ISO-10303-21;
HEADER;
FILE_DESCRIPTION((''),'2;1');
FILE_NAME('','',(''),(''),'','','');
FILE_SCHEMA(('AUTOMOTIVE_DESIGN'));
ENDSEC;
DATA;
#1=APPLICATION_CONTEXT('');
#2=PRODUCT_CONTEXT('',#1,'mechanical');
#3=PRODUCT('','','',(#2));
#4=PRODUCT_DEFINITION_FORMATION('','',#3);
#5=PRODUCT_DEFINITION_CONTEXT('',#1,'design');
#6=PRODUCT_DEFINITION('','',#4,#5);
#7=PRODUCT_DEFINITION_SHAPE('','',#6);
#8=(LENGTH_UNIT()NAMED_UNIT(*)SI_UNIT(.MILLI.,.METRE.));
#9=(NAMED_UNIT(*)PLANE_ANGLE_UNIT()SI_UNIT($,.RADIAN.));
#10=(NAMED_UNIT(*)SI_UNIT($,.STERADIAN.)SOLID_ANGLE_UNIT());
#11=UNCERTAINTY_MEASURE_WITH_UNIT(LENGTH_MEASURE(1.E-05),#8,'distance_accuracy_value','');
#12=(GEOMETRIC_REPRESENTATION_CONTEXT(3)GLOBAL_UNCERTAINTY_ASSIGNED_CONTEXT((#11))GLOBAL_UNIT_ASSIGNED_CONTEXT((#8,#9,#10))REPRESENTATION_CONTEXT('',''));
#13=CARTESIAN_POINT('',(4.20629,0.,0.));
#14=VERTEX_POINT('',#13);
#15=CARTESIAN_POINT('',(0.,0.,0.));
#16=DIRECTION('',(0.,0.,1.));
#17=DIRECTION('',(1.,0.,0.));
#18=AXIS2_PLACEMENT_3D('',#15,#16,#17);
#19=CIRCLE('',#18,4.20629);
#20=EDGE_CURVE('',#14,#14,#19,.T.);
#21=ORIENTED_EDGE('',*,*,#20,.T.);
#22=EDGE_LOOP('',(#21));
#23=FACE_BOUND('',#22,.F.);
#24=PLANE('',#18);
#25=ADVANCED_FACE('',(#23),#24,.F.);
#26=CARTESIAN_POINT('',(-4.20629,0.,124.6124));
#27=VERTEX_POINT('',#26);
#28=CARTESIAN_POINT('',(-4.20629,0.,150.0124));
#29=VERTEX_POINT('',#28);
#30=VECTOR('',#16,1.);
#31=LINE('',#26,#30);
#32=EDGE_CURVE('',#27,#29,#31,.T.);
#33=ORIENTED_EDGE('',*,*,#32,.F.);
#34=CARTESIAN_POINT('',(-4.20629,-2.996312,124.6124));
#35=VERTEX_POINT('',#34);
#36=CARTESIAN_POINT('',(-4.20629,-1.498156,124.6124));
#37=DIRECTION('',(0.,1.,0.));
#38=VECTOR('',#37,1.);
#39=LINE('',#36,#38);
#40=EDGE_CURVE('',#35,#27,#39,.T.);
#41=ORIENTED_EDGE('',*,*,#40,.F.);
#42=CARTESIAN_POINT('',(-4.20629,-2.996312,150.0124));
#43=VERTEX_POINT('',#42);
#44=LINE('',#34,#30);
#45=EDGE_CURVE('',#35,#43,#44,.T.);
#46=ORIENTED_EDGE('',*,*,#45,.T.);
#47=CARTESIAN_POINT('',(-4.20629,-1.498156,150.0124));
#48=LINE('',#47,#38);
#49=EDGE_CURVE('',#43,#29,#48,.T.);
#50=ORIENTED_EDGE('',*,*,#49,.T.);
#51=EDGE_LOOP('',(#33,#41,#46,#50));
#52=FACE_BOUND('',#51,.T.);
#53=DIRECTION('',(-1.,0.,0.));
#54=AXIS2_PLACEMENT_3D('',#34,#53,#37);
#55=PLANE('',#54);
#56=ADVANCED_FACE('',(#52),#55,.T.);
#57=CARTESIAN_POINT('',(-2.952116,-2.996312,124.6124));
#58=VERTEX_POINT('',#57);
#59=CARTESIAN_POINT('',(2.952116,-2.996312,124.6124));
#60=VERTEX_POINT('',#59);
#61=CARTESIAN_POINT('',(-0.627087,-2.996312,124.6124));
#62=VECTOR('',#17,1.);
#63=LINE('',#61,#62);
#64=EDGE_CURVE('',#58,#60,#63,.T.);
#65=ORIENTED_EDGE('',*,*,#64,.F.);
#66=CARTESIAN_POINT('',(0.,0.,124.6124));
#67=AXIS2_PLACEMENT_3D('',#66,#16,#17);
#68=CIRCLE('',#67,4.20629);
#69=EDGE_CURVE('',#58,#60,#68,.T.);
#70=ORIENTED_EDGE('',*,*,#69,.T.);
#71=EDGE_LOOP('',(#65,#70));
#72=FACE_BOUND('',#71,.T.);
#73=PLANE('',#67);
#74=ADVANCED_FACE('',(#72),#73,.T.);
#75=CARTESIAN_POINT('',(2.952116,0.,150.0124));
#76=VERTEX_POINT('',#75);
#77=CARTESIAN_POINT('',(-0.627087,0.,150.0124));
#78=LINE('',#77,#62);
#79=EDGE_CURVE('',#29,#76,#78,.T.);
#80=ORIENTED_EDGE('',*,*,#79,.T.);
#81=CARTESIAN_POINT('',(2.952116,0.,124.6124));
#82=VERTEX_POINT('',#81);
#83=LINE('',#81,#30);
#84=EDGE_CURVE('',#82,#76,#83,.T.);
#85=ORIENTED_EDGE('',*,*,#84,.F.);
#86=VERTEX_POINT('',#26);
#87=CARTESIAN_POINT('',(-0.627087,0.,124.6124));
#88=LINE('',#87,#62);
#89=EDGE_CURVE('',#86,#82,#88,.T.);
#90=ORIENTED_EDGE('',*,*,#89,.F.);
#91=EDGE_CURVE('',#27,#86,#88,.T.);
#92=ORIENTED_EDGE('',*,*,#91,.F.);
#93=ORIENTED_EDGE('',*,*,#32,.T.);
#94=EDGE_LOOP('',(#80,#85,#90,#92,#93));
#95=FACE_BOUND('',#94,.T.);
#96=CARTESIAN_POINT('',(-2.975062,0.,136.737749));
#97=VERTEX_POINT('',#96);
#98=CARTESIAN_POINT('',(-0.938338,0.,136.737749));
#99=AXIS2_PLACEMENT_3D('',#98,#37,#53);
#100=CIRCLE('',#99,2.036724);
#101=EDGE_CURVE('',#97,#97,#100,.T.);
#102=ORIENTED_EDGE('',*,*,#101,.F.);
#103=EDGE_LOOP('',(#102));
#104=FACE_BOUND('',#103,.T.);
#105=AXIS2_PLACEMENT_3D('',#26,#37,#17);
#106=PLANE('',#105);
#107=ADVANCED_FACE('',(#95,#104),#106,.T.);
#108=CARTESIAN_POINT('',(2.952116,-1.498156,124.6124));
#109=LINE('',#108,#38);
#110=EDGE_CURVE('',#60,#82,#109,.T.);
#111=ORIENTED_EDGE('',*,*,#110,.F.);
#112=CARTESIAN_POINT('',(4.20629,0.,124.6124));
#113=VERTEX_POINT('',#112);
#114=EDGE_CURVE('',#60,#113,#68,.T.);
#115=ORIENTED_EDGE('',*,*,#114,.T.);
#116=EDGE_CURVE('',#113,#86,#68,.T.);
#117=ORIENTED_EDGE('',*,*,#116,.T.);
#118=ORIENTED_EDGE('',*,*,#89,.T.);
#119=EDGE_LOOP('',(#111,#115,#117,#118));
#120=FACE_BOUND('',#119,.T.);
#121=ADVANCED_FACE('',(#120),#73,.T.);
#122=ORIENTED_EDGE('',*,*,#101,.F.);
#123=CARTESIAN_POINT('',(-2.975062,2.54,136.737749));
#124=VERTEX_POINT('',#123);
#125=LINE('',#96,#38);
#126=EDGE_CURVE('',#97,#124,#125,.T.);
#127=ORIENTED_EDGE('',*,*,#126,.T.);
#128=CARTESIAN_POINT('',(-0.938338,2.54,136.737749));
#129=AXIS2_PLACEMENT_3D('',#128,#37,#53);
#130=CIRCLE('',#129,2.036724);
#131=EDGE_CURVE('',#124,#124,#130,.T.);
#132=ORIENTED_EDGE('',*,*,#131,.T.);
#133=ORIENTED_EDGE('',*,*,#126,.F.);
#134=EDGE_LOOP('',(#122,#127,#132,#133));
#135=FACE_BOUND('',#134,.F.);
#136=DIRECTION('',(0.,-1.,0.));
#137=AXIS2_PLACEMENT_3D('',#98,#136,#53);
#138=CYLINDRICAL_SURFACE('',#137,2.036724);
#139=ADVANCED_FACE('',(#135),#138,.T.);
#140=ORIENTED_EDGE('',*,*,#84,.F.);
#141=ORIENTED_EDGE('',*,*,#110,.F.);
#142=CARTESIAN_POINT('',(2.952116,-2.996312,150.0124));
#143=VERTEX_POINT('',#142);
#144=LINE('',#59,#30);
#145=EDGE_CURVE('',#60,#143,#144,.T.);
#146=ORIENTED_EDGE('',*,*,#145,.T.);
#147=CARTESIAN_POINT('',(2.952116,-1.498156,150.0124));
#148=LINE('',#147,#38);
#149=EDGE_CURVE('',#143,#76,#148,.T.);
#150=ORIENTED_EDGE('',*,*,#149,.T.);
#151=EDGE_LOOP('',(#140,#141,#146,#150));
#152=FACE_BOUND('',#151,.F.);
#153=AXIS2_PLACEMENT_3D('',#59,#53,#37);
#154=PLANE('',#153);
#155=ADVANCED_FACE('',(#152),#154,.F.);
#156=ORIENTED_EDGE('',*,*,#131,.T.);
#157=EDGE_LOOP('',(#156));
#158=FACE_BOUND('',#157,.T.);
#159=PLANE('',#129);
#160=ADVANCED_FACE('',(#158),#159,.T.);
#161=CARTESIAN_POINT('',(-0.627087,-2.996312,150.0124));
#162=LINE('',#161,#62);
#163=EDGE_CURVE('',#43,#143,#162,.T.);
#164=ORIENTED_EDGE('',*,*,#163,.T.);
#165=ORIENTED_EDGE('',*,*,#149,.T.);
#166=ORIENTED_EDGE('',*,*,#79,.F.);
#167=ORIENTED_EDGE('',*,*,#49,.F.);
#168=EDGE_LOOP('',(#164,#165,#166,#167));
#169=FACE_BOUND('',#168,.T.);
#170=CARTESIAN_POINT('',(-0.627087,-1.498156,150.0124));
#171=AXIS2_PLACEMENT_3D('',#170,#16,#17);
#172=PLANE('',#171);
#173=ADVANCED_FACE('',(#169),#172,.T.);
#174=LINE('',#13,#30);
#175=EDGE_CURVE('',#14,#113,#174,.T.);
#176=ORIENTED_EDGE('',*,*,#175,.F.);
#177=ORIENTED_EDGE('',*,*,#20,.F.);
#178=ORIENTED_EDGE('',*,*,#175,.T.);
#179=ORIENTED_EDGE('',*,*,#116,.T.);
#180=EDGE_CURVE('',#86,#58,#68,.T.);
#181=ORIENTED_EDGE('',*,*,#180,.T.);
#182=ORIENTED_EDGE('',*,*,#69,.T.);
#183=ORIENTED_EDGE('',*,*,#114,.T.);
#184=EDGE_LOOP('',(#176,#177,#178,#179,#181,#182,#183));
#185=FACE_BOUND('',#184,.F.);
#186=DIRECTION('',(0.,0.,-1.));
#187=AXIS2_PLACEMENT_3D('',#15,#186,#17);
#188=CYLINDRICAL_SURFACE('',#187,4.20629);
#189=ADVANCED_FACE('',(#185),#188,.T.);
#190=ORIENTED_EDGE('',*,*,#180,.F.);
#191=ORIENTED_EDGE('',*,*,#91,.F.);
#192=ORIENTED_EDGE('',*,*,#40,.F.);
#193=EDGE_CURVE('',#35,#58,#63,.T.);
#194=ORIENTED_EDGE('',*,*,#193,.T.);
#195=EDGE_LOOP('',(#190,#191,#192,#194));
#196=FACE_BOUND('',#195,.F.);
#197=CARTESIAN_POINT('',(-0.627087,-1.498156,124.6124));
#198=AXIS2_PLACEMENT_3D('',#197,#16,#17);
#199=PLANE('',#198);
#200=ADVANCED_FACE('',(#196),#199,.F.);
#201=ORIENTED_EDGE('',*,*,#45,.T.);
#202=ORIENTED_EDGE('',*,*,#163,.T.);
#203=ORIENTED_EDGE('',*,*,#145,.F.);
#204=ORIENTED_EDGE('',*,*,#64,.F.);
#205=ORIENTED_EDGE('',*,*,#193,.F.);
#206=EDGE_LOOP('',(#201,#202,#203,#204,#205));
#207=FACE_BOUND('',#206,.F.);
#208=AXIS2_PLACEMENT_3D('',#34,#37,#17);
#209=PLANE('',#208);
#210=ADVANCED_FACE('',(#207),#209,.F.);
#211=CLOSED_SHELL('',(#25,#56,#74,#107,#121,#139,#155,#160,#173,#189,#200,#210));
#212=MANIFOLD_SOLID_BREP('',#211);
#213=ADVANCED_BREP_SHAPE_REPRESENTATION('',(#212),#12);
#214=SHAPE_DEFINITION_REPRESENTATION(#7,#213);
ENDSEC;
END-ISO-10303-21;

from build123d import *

# Parameters (mm, degrees)
F0_R     = 4.20629
F1_DEPTH = 124.6124
F2_W     = 7.158407
F2_H     = 2.996312
F3_DEPTH = 25.4
F4_R     = 2.036724
F5_DEPTH = 2.54


with BuildPart() as f1:
    # F0 (on Top) → F1 (new body)
    with BuildSketch(Plane.XY):
        Circle(F0_R)
    extrude(amount=F1_DEPTH)

    # F2 (on face) → F3 (join)
    with BuildSketch(Plane.XY.offset(124.6124)):
        with Locations((-0.627087, -1.498156)):
            Rectangle(F2_W, F2_H)
    extrude(amount=F3_DEPTH)

    # F4 (on face) → F5 (join)
    with BuildSketch(Plane(origin=(0, 0, 0), x_dir=(-1, 0, 0), z_dir=(0, 1, 0))):
        with Locations((0.938338, 136.737749)):
            Circle(F4_R)
    extrude(amount=F5_DEPTH)


solid = f1.part
